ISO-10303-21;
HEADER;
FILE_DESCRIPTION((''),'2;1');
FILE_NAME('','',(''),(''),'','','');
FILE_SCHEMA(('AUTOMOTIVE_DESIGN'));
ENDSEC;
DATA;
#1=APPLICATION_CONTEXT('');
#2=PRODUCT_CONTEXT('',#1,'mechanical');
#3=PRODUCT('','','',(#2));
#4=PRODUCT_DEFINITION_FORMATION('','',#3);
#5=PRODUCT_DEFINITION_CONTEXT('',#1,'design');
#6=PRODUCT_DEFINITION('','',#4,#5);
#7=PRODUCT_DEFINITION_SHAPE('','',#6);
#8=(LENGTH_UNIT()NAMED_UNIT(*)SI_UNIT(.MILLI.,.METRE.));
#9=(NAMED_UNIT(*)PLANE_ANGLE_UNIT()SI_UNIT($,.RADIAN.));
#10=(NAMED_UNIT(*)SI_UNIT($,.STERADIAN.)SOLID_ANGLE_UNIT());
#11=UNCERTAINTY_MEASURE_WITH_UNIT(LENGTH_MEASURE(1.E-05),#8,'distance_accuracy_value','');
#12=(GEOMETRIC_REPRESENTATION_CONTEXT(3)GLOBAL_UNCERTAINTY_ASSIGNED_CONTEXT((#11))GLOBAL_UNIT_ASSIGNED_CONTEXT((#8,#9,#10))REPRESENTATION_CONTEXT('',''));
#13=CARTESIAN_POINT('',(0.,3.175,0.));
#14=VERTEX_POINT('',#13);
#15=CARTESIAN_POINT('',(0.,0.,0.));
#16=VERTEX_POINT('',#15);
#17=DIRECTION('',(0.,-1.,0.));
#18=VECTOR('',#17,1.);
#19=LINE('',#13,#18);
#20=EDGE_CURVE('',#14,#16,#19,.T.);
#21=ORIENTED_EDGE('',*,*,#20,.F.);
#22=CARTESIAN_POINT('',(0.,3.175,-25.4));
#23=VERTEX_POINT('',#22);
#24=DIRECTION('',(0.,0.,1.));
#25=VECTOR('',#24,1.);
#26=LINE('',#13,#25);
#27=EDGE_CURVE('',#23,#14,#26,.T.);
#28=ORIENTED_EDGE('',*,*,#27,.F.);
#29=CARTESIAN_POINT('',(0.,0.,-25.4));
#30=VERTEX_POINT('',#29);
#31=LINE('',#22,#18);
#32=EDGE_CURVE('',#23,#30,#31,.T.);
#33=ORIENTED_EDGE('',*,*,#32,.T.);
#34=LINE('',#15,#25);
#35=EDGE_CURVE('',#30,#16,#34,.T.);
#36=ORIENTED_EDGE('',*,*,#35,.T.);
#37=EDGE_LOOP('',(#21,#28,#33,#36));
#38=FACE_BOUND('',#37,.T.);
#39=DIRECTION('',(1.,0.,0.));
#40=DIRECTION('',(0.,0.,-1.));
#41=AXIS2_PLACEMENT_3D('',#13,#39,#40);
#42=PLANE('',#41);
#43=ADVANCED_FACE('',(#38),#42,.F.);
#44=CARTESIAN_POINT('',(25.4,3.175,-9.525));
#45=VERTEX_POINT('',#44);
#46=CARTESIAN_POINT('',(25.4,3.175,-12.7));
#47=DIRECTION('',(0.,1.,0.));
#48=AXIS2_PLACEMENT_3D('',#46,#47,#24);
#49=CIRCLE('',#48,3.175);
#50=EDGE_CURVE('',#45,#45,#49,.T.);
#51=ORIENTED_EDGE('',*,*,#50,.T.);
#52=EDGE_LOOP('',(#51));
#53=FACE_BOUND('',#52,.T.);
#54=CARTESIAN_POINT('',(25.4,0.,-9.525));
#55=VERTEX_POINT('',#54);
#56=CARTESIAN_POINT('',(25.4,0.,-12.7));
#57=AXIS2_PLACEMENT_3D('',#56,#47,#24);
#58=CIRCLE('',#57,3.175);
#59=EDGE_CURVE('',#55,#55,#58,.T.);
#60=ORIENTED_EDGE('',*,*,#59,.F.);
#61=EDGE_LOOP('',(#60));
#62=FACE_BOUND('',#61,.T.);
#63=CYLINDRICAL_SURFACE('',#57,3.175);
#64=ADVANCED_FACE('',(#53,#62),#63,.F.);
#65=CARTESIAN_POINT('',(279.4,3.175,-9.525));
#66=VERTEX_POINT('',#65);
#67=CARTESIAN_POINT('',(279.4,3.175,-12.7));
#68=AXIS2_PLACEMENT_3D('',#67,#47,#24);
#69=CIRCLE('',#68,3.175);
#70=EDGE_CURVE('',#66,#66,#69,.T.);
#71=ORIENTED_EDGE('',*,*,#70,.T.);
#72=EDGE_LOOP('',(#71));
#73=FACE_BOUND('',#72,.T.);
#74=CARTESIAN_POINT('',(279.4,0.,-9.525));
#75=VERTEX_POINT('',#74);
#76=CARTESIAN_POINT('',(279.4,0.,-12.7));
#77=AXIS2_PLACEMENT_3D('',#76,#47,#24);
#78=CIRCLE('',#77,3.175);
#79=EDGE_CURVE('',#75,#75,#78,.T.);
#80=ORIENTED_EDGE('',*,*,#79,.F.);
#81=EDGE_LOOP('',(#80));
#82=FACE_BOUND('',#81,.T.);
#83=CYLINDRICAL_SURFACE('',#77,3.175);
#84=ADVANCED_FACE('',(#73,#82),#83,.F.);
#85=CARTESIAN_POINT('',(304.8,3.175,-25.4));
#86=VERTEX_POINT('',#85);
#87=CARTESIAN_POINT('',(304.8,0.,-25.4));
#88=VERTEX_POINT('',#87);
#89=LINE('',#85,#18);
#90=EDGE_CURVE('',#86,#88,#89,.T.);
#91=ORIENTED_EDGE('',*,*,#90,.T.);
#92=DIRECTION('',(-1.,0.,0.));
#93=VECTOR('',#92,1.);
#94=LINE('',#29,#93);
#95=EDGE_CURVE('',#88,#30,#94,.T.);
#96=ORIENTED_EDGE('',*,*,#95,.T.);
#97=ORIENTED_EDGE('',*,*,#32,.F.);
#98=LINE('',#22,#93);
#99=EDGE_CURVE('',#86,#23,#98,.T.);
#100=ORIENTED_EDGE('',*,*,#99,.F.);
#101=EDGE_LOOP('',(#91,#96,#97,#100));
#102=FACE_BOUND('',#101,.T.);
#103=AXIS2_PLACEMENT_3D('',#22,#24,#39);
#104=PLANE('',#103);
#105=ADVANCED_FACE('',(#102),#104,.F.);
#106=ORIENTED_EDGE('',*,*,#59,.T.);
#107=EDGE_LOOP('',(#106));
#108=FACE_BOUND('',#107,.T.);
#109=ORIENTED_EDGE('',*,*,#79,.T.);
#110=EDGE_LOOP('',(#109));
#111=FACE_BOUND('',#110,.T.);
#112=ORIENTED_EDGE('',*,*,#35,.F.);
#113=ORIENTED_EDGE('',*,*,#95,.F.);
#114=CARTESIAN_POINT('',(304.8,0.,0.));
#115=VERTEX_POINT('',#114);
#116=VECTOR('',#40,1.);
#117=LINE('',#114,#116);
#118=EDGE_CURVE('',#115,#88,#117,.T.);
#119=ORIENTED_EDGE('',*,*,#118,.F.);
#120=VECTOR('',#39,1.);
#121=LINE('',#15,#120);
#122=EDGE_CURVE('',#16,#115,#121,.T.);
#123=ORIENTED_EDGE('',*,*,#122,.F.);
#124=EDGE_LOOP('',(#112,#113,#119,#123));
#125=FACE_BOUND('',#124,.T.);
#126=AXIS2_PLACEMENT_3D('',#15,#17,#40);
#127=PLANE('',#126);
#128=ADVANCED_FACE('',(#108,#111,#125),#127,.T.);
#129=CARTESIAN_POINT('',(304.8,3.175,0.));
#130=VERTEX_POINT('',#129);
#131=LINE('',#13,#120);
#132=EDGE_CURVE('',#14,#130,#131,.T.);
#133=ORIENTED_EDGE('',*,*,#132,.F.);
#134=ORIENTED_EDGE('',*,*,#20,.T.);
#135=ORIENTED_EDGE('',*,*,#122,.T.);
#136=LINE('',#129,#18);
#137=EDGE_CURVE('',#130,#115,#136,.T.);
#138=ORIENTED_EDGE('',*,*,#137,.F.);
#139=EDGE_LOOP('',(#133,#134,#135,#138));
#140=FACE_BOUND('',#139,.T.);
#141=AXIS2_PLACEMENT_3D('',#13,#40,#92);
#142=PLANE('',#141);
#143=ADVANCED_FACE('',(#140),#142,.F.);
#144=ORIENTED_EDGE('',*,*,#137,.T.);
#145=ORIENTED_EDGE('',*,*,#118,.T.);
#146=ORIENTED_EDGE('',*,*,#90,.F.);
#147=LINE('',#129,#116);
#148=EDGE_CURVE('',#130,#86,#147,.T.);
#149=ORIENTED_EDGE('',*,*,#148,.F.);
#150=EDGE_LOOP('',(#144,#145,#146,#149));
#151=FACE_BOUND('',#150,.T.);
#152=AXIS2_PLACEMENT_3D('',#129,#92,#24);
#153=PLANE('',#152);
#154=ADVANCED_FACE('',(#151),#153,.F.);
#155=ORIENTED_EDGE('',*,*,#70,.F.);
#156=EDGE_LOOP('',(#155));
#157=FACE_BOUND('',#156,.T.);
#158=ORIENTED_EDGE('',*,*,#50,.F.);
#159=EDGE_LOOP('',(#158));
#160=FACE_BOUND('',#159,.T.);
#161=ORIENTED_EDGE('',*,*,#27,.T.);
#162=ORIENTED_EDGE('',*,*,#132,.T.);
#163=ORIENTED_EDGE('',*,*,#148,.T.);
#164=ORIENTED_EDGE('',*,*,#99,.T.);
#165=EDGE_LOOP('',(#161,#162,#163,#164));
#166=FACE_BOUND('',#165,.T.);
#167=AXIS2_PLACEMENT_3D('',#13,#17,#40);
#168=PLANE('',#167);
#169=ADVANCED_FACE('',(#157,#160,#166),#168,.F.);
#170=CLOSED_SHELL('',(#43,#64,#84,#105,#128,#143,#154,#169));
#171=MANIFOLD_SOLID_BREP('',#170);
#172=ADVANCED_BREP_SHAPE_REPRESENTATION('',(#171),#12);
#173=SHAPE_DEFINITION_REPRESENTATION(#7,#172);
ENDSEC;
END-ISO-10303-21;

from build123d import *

# Parameters (mm, degrees)
SKETCH1_W           = 304.8
SKETCH1_H           = 25.4
BOSS_EXTRUDE1_DEPTH = 3.175
SKETCH2_R           = 3.175
CUT_EXTRUDE1_DEPTH  = 4.175


with BuildPart() as part:
    # Sketch1 → Boss-Extrude1 (new body)
    with BuildSketch(Plane(origin=(0, 0, 0), x_dir=(1, 0, 0), z_dir=(0, 1, 0))):
        with Locations((152.4, 12.7)):
            Rectangle(SKETCH1_W, SKETCH1_H)
    extrude(amount=BOSS_EXTRUDE1_DEPTH)

    # Sketch2 → Cut-Extrude1 (cut, through all)
    with BuildSketch(Plane(origin=(0, 3.175, 0), x_dir=(1, 0, 0), z_dir=(0, 1, 0))):
        with Locations((279.4, 12.7)):
            Circle(SKETCH2_R)
        with Locations((25.4, 12.7)):
            Circle(SKETCH2_R)
    extrude(amount=-CUT_EXTRUDE1_DEPTH, mode=Mode.SUBTRACT)


solid = part.part
